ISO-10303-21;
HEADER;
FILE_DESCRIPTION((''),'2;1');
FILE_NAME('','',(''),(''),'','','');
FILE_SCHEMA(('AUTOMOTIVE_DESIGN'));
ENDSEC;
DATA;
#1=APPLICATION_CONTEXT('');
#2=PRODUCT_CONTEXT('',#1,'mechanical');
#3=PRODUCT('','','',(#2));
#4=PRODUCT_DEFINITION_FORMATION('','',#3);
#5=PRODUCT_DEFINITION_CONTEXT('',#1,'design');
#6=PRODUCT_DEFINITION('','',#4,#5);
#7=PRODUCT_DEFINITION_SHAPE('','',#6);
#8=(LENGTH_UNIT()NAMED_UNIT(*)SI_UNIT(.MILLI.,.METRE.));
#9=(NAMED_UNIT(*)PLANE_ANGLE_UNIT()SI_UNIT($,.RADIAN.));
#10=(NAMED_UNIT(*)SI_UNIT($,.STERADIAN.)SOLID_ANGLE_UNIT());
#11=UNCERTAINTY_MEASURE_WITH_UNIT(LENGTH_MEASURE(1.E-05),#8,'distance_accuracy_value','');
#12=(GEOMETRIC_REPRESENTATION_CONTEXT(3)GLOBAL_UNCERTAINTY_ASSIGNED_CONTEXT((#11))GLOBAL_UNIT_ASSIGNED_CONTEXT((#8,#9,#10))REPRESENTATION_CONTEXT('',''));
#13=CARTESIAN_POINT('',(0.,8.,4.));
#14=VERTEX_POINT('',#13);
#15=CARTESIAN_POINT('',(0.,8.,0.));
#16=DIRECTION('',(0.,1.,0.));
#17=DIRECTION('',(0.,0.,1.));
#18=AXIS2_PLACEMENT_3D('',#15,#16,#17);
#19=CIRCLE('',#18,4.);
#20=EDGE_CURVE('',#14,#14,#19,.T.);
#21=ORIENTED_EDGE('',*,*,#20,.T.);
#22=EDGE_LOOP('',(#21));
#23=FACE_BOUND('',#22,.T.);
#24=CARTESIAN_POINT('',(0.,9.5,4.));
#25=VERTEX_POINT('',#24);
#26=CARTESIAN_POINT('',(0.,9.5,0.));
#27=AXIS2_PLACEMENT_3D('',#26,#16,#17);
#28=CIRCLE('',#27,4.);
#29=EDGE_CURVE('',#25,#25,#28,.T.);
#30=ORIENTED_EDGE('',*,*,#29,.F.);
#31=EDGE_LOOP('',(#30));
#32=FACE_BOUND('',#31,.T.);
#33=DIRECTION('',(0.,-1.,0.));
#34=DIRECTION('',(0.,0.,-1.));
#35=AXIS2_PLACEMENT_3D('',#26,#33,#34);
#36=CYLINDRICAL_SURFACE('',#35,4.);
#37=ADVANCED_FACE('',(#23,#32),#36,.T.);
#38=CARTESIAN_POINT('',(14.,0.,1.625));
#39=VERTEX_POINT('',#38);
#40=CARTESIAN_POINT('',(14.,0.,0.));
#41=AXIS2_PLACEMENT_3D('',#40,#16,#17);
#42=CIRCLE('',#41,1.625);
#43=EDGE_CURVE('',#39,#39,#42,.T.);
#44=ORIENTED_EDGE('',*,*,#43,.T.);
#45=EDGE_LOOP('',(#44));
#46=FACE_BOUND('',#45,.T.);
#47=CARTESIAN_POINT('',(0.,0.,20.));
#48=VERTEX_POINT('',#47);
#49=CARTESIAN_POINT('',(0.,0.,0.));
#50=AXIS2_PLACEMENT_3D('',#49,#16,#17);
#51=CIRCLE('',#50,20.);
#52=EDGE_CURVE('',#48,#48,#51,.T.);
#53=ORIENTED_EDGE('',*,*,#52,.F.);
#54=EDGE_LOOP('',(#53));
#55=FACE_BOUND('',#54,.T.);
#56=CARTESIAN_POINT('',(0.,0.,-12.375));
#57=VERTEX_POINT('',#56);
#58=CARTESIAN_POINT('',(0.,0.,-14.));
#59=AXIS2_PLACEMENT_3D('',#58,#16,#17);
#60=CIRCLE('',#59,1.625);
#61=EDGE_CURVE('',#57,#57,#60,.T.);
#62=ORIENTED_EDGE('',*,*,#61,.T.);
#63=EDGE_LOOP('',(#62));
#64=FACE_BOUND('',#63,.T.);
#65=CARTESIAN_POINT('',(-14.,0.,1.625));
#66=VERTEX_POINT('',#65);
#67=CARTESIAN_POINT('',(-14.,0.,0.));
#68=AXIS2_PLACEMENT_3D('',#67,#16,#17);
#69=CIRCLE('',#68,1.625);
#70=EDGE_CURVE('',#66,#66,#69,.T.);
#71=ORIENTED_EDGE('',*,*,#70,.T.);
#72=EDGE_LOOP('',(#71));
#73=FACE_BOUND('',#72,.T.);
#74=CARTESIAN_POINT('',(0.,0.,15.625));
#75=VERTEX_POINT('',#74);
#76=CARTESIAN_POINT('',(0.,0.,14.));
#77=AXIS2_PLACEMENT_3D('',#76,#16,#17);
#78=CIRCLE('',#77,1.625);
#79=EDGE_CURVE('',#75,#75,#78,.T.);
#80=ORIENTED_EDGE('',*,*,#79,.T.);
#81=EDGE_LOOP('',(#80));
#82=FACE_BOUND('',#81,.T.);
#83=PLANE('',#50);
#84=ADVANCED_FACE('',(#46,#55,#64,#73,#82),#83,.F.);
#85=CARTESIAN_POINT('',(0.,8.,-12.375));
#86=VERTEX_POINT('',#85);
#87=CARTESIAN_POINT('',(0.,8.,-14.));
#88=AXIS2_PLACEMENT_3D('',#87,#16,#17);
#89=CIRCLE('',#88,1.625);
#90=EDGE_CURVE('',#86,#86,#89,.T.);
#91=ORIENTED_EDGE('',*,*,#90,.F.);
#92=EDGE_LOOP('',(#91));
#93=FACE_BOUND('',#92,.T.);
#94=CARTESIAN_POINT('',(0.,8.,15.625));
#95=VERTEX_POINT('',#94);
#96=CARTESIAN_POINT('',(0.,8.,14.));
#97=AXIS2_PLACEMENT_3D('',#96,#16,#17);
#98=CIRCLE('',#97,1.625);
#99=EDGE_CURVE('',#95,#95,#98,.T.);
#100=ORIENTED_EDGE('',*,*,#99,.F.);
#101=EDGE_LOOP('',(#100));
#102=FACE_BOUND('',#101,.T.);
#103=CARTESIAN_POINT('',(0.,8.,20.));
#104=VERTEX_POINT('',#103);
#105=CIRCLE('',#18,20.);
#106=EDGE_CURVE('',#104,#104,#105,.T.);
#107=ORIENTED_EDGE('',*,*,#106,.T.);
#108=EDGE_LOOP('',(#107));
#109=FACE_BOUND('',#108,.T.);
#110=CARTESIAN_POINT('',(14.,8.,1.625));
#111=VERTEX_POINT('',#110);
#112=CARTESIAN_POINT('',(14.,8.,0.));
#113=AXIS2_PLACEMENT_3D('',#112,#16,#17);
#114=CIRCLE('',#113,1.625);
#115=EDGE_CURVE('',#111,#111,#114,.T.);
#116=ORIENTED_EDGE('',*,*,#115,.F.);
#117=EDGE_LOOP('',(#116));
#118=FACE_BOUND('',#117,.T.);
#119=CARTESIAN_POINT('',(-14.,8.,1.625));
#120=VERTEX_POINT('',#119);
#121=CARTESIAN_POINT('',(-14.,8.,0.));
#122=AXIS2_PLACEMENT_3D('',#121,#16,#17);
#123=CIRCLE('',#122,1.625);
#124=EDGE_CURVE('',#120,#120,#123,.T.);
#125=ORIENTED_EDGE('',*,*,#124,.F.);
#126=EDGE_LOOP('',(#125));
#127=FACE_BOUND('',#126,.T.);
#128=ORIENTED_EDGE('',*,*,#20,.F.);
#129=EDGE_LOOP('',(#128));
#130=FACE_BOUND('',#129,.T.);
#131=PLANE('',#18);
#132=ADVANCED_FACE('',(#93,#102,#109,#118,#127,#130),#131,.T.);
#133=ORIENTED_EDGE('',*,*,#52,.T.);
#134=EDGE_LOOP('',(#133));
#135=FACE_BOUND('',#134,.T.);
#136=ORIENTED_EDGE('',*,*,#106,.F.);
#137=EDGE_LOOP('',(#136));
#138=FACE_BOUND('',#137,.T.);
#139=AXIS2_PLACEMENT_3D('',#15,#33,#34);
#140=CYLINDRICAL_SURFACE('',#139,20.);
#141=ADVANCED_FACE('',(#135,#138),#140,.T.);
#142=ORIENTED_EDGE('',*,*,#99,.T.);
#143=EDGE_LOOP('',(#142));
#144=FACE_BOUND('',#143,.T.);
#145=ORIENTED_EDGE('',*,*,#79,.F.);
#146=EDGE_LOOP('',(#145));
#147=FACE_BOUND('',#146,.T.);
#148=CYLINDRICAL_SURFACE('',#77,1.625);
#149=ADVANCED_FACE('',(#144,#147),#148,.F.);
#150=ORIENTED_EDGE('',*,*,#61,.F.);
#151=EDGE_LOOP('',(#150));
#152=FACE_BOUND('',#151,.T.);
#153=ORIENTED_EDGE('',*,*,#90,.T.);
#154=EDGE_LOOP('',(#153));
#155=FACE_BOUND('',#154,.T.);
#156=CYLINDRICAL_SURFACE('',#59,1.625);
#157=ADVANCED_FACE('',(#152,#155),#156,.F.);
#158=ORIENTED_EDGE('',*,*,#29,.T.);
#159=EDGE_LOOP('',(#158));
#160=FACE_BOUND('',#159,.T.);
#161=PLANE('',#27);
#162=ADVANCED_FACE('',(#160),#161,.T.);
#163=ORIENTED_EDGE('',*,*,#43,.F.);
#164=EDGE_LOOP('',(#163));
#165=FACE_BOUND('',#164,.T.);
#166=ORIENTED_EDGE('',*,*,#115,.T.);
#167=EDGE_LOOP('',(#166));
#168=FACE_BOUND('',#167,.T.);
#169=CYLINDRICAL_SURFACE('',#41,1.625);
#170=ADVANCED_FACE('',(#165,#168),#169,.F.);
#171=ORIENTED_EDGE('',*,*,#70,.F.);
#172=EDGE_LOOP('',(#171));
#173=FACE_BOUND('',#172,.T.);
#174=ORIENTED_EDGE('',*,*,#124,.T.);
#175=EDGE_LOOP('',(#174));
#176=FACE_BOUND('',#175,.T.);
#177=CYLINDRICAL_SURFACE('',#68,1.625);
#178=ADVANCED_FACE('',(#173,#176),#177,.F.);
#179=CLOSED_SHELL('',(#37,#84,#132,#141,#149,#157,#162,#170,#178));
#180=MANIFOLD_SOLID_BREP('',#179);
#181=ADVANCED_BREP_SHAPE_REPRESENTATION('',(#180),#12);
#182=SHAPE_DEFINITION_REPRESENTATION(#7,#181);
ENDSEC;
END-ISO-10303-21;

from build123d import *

# Parameters (mm, degrees)
CROQUIS3_R              = 20
SALIENTE_EXTRUIR1_DEPTH = 8
SALIENTE_EXTRUIR3_START = 8
CROQUIS4_R              = 4
SALIENTE_EXTRUIR3_DEPTH = 1.5
CROQUIS7_R              = 1.625
CORTAR_EXTRUIR2_DEPTH   = 30.393876913


with BuildPart() as part:
    # Croquis3 → Saliente-Extruir1 (new body)
    with BuildSketch(Plane(origin=(0, 0, 0), x_dir=(1, 0, 0), z_dir=(0, 1, 0))):
        with Locations(Location((0, 0, 0), (0, 0, 270))):
            Circle(CROQUIS3_R)
    extrude(amount=SALIENTE_EXTRUIR1_DEPTH)

    # Croquis4 → Saliente-Extruir3 (add)
    with BuildSketch(Plane(origin=(0, 0, 0), x_dir=(1, 0, 0), z_dir=(0, 1, 0)).offset(SALIENTE_EXTRUIR3_START)):
        with Locations(Location((0, 0, 0), (0, 0, 270))):
            Circle(CROQUIS4_R)
    extrude(amount=SALIENTE_EXTRUIR3_DEPTH)

    # Croquis7 → Cortar-Extruir2 (cut, through all)
    with BuildSketch(Plane(origin=(0, 8, 0), x_dir=(1, 0, 0), z_dir=(0, 1, 0))):
        with Locations(Location((-14, 0, 0), (0, 0, 270))):
            Circle(CROQUIS7_R)
        with Locations(Location((14, 0, 0), (0, 0, 270))):
            Circle(CROQUIS7_R)
        with Locations(Location((0, 14, 0), (0, 0, 270))):
            Circle(CROQUIS7_R)
        with Locations(Location((0, -14, 0), (0, 0, 270))):
            Circle(CROQUIS7_R)
    extrude(amount=-CORTAR_EXTRUIR2_DEPTH, mode=Mode.SUBTRACT)


solid = part.part
